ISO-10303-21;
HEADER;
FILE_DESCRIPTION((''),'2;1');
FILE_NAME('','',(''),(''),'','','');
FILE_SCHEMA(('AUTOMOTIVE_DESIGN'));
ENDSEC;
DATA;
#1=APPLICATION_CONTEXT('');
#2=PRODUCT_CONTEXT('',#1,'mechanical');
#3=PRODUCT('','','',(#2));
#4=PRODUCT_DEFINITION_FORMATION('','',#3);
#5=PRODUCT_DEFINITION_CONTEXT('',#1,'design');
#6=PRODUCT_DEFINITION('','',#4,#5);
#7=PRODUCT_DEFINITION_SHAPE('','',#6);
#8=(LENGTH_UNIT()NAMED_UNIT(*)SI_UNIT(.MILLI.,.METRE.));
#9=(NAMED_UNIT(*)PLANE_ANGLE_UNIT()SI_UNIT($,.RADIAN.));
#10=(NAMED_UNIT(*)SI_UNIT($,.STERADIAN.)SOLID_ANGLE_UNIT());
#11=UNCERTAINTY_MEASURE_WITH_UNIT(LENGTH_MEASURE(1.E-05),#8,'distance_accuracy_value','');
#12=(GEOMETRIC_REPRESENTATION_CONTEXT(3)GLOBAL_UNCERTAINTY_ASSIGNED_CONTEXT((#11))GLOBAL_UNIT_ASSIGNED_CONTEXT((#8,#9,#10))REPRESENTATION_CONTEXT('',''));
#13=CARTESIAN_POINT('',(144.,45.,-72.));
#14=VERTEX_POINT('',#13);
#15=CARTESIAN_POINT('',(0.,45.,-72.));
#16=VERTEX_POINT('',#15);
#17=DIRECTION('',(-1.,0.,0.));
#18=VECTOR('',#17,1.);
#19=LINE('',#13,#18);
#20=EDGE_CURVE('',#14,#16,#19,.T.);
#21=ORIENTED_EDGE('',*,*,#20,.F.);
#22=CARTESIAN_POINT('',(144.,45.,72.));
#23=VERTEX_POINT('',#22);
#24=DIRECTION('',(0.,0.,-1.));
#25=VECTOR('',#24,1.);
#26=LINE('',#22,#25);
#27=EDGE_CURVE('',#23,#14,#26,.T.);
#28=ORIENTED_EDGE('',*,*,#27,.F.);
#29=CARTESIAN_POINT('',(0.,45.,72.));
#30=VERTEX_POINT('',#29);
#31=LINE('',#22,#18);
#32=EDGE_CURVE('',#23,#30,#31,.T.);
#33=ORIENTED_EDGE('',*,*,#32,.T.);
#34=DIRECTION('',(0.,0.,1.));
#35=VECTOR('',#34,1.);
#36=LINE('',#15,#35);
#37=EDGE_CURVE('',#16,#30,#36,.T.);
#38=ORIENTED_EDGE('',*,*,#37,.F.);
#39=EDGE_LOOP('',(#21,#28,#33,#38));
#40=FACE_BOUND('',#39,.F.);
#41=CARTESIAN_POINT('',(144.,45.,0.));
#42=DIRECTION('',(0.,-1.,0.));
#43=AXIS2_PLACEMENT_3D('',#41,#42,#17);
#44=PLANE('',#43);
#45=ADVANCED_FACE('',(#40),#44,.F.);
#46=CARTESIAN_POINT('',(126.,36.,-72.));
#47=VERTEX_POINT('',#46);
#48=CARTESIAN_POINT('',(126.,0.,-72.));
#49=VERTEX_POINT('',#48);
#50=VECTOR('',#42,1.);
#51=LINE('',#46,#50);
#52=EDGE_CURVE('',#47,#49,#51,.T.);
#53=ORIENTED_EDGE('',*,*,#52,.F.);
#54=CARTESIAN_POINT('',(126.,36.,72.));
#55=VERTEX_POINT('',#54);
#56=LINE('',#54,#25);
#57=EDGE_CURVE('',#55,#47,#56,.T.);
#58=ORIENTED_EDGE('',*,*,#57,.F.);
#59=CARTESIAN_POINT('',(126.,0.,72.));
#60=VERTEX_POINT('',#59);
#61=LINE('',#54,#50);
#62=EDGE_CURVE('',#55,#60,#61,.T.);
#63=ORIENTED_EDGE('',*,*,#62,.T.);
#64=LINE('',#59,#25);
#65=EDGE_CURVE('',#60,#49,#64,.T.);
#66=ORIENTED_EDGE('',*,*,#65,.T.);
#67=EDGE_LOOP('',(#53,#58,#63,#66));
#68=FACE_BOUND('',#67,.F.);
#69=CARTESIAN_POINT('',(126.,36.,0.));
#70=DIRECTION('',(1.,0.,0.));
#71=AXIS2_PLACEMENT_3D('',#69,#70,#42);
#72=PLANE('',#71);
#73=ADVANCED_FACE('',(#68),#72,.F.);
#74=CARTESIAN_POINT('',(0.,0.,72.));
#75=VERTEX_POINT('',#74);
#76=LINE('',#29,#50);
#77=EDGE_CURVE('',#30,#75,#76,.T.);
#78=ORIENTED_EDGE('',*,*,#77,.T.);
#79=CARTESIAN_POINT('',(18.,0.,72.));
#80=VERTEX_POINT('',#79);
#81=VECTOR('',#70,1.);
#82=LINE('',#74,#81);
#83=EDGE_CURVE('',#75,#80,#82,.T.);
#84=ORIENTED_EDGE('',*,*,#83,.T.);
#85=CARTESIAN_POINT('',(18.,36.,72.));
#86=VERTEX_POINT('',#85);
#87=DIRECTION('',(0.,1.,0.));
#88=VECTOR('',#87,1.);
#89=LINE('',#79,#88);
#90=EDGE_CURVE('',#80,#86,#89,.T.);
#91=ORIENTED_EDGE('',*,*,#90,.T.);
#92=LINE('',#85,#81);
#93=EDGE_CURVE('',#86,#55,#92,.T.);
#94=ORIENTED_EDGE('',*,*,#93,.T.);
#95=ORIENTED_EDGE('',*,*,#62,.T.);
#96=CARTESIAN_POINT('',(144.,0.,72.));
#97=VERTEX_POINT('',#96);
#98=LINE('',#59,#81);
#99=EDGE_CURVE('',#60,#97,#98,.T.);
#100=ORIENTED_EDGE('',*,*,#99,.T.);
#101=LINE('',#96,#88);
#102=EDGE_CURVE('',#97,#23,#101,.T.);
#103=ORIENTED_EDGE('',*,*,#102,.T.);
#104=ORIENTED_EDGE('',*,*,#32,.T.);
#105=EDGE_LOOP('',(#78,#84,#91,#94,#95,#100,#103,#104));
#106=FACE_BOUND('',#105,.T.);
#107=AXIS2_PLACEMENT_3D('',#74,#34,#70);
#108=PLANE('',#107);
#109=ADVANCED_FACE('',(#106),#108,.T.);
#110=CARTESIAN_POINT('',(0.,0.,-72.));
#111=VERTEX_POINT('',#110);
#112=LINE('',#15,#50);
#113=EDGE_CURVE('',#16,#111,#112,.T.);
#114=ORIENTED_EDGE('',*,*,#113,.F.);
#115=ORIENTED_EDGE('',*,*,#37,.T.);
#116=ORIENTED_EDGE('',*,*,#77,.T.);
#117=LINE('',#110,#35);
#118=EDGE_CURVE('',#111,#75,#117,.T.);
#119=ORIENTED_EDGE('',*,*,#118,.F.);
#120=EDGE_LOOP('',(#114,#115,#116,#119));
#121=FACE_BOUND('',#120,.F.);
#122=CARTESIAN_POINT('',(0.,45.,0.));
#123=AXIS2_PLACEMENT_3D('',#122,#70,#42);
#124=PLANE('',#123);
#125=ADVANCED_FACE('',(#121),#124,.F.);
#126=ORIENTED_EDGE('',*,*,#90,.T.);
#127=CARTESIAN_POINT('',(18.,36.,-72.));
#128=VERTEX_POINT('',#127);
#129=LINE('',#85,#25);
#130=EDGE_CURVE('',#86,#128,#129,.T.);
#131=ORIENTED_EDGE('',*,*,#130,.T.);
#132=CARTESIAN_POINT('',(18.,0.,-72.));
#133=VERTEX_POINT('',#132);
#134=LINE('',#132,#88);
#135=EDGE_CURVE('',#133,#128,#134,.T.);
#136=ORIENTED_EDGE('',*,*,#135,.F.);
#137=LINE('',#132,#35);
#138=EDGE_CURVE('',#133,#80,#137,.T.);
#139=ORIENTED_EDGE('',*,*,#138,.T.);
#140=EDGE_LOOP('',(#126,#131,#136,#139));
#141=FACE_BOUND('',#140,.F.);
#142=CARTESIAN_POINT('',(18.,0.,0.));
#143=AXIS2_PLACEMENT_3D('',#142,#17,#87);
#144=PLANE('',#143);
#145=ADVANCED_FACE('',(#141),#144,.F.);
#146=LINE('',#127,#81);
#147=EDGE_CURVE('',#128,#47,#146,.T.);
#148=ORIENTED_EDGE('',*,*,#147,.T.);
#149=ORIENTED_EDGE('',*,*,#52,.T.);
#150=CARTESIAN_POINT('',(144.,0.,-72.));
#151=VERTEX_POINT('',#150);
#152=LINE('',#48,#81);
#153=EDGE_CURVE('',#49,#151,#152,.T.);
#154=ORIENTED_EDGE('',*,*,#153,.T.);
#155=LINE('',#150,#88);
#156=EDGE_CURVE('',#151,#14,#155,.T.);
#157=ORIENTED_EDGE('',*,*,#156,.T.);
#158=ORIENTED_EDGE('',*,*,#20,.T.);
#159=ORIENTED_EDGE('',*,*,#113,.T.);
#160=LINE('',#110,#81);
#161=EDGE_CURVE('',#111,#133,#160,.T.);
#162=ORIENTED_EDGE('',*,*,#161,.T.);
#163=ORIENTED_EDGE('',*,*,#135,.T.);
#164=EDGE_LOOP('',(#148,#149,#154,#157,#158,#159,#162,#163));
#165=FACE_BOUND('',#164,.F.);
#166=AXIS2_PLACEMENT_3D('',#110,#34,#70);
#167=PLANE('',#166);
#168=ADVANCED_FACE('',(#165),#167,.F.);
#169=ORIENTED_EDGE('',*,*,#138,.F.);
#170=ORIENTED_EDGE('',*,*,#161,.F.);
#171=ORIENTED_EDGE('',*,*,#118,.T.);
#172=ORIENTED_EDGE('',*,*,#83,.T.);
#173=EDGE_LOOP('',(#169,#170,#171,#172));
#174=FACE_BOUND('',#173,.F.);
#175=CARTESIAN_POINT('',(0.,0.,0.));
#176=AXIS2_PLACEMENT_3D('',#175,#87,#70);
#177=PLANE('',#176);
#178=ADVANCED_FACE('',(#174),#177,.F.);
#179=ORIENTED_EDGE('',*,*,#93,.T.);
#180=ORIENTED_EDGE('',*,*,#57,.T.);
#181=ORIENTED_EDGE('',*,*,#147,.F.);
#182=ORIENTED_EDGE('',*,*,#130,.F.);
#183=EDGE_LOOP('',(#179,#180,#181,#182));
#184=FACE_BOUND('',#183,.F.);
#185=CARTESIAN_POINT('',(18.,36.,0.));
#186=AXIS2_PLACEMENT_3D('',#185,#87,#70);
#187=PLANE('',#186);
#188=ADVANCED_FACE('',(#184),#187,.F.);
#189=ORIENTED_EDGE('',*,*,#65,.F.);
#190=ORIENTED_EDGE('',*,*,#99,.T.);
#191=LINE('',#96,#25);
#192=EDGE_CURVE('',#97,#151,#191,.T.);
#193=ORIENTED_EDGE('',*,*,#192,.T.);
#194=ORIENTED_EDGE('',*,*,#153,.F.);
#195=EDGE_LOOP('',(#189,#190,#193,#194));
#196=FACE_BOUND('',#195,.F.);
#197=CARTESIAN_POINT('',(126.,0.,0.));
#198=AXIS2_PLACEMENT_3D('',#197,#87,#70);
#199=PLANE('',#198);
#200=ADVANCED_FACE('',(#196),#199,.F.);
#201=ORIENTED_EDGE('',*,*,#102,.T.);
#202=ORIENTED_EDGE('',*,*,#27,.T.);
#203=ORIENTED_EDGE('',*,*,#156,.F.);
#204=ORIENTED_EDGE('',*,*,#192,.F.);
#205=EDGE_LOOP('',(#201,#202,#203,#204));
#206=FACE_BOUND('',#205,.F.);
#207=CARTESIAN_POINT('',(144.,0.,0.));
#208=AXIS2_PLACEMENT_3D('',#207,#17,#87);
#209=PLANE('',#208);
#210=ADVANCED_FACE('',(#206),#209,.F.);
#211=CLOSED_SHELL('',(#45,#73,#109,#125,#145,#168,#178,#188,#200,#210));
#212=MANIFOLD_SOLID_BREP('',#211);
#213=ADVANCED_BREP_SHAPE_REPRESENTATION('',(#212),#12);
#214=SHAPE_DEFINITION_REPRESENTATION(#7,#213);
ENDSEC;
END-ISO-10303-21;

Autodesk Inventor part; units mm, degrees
sketch "草圖2" plane through (0, 0, 0) normal (0, 0, 1) x (1, 0, 0)
  line L0 (0, 45) -> (0, 0)
  line L1 (0, 0) -> (18, 0)
  line L2 (18, 0) -> (18, 36)
  line L3 (18, 36) -> (126, 36)
  line L4 (126, 36) -> (126, 0)
  line L5 (126, 0) -> (144, 0)
  line L6 (144, 0) -> (144, 45)
  line L7 (144, 45) -> (0, 45)
  dimension "d11" = 18
  dimension "d12" = 9
  dimension "d14" = 144
  dimension "d17" = 36
extrude "擠出2" add sketch "草圖2" along normal mid plane 144
ref_plane "工作平面1" through (144, 0, 72) normal (0.0872, 0, 0.9962) x (0, 1, 0)
ref_plane "工作平面2" through (144, 0, 72) normal (0.9962, 0, -0.0872) x (0, 1, 0)
ref_plane "工作平面3" through (72, 0, 72) normal (-1, 0, 0) x (0, 0, 1)
equation "\"d11\" = leg_length"
equation "\"d12\" = thickness"
equation "\"d14\" = width"
equation "\"d17\" = height"
equation "\"d15\" = length"
equation "\"width\" = 80 * ratio"
equation "\"height\" = 20 * ratio"
equation "\"length\" = width"
equation "\"leg_length\" = ratio"
equation "\"ratio\" = 1.8"
equation "\"thickness\" = 5 * ratio"
properties part number "bridge_rect_final_18.stl"
